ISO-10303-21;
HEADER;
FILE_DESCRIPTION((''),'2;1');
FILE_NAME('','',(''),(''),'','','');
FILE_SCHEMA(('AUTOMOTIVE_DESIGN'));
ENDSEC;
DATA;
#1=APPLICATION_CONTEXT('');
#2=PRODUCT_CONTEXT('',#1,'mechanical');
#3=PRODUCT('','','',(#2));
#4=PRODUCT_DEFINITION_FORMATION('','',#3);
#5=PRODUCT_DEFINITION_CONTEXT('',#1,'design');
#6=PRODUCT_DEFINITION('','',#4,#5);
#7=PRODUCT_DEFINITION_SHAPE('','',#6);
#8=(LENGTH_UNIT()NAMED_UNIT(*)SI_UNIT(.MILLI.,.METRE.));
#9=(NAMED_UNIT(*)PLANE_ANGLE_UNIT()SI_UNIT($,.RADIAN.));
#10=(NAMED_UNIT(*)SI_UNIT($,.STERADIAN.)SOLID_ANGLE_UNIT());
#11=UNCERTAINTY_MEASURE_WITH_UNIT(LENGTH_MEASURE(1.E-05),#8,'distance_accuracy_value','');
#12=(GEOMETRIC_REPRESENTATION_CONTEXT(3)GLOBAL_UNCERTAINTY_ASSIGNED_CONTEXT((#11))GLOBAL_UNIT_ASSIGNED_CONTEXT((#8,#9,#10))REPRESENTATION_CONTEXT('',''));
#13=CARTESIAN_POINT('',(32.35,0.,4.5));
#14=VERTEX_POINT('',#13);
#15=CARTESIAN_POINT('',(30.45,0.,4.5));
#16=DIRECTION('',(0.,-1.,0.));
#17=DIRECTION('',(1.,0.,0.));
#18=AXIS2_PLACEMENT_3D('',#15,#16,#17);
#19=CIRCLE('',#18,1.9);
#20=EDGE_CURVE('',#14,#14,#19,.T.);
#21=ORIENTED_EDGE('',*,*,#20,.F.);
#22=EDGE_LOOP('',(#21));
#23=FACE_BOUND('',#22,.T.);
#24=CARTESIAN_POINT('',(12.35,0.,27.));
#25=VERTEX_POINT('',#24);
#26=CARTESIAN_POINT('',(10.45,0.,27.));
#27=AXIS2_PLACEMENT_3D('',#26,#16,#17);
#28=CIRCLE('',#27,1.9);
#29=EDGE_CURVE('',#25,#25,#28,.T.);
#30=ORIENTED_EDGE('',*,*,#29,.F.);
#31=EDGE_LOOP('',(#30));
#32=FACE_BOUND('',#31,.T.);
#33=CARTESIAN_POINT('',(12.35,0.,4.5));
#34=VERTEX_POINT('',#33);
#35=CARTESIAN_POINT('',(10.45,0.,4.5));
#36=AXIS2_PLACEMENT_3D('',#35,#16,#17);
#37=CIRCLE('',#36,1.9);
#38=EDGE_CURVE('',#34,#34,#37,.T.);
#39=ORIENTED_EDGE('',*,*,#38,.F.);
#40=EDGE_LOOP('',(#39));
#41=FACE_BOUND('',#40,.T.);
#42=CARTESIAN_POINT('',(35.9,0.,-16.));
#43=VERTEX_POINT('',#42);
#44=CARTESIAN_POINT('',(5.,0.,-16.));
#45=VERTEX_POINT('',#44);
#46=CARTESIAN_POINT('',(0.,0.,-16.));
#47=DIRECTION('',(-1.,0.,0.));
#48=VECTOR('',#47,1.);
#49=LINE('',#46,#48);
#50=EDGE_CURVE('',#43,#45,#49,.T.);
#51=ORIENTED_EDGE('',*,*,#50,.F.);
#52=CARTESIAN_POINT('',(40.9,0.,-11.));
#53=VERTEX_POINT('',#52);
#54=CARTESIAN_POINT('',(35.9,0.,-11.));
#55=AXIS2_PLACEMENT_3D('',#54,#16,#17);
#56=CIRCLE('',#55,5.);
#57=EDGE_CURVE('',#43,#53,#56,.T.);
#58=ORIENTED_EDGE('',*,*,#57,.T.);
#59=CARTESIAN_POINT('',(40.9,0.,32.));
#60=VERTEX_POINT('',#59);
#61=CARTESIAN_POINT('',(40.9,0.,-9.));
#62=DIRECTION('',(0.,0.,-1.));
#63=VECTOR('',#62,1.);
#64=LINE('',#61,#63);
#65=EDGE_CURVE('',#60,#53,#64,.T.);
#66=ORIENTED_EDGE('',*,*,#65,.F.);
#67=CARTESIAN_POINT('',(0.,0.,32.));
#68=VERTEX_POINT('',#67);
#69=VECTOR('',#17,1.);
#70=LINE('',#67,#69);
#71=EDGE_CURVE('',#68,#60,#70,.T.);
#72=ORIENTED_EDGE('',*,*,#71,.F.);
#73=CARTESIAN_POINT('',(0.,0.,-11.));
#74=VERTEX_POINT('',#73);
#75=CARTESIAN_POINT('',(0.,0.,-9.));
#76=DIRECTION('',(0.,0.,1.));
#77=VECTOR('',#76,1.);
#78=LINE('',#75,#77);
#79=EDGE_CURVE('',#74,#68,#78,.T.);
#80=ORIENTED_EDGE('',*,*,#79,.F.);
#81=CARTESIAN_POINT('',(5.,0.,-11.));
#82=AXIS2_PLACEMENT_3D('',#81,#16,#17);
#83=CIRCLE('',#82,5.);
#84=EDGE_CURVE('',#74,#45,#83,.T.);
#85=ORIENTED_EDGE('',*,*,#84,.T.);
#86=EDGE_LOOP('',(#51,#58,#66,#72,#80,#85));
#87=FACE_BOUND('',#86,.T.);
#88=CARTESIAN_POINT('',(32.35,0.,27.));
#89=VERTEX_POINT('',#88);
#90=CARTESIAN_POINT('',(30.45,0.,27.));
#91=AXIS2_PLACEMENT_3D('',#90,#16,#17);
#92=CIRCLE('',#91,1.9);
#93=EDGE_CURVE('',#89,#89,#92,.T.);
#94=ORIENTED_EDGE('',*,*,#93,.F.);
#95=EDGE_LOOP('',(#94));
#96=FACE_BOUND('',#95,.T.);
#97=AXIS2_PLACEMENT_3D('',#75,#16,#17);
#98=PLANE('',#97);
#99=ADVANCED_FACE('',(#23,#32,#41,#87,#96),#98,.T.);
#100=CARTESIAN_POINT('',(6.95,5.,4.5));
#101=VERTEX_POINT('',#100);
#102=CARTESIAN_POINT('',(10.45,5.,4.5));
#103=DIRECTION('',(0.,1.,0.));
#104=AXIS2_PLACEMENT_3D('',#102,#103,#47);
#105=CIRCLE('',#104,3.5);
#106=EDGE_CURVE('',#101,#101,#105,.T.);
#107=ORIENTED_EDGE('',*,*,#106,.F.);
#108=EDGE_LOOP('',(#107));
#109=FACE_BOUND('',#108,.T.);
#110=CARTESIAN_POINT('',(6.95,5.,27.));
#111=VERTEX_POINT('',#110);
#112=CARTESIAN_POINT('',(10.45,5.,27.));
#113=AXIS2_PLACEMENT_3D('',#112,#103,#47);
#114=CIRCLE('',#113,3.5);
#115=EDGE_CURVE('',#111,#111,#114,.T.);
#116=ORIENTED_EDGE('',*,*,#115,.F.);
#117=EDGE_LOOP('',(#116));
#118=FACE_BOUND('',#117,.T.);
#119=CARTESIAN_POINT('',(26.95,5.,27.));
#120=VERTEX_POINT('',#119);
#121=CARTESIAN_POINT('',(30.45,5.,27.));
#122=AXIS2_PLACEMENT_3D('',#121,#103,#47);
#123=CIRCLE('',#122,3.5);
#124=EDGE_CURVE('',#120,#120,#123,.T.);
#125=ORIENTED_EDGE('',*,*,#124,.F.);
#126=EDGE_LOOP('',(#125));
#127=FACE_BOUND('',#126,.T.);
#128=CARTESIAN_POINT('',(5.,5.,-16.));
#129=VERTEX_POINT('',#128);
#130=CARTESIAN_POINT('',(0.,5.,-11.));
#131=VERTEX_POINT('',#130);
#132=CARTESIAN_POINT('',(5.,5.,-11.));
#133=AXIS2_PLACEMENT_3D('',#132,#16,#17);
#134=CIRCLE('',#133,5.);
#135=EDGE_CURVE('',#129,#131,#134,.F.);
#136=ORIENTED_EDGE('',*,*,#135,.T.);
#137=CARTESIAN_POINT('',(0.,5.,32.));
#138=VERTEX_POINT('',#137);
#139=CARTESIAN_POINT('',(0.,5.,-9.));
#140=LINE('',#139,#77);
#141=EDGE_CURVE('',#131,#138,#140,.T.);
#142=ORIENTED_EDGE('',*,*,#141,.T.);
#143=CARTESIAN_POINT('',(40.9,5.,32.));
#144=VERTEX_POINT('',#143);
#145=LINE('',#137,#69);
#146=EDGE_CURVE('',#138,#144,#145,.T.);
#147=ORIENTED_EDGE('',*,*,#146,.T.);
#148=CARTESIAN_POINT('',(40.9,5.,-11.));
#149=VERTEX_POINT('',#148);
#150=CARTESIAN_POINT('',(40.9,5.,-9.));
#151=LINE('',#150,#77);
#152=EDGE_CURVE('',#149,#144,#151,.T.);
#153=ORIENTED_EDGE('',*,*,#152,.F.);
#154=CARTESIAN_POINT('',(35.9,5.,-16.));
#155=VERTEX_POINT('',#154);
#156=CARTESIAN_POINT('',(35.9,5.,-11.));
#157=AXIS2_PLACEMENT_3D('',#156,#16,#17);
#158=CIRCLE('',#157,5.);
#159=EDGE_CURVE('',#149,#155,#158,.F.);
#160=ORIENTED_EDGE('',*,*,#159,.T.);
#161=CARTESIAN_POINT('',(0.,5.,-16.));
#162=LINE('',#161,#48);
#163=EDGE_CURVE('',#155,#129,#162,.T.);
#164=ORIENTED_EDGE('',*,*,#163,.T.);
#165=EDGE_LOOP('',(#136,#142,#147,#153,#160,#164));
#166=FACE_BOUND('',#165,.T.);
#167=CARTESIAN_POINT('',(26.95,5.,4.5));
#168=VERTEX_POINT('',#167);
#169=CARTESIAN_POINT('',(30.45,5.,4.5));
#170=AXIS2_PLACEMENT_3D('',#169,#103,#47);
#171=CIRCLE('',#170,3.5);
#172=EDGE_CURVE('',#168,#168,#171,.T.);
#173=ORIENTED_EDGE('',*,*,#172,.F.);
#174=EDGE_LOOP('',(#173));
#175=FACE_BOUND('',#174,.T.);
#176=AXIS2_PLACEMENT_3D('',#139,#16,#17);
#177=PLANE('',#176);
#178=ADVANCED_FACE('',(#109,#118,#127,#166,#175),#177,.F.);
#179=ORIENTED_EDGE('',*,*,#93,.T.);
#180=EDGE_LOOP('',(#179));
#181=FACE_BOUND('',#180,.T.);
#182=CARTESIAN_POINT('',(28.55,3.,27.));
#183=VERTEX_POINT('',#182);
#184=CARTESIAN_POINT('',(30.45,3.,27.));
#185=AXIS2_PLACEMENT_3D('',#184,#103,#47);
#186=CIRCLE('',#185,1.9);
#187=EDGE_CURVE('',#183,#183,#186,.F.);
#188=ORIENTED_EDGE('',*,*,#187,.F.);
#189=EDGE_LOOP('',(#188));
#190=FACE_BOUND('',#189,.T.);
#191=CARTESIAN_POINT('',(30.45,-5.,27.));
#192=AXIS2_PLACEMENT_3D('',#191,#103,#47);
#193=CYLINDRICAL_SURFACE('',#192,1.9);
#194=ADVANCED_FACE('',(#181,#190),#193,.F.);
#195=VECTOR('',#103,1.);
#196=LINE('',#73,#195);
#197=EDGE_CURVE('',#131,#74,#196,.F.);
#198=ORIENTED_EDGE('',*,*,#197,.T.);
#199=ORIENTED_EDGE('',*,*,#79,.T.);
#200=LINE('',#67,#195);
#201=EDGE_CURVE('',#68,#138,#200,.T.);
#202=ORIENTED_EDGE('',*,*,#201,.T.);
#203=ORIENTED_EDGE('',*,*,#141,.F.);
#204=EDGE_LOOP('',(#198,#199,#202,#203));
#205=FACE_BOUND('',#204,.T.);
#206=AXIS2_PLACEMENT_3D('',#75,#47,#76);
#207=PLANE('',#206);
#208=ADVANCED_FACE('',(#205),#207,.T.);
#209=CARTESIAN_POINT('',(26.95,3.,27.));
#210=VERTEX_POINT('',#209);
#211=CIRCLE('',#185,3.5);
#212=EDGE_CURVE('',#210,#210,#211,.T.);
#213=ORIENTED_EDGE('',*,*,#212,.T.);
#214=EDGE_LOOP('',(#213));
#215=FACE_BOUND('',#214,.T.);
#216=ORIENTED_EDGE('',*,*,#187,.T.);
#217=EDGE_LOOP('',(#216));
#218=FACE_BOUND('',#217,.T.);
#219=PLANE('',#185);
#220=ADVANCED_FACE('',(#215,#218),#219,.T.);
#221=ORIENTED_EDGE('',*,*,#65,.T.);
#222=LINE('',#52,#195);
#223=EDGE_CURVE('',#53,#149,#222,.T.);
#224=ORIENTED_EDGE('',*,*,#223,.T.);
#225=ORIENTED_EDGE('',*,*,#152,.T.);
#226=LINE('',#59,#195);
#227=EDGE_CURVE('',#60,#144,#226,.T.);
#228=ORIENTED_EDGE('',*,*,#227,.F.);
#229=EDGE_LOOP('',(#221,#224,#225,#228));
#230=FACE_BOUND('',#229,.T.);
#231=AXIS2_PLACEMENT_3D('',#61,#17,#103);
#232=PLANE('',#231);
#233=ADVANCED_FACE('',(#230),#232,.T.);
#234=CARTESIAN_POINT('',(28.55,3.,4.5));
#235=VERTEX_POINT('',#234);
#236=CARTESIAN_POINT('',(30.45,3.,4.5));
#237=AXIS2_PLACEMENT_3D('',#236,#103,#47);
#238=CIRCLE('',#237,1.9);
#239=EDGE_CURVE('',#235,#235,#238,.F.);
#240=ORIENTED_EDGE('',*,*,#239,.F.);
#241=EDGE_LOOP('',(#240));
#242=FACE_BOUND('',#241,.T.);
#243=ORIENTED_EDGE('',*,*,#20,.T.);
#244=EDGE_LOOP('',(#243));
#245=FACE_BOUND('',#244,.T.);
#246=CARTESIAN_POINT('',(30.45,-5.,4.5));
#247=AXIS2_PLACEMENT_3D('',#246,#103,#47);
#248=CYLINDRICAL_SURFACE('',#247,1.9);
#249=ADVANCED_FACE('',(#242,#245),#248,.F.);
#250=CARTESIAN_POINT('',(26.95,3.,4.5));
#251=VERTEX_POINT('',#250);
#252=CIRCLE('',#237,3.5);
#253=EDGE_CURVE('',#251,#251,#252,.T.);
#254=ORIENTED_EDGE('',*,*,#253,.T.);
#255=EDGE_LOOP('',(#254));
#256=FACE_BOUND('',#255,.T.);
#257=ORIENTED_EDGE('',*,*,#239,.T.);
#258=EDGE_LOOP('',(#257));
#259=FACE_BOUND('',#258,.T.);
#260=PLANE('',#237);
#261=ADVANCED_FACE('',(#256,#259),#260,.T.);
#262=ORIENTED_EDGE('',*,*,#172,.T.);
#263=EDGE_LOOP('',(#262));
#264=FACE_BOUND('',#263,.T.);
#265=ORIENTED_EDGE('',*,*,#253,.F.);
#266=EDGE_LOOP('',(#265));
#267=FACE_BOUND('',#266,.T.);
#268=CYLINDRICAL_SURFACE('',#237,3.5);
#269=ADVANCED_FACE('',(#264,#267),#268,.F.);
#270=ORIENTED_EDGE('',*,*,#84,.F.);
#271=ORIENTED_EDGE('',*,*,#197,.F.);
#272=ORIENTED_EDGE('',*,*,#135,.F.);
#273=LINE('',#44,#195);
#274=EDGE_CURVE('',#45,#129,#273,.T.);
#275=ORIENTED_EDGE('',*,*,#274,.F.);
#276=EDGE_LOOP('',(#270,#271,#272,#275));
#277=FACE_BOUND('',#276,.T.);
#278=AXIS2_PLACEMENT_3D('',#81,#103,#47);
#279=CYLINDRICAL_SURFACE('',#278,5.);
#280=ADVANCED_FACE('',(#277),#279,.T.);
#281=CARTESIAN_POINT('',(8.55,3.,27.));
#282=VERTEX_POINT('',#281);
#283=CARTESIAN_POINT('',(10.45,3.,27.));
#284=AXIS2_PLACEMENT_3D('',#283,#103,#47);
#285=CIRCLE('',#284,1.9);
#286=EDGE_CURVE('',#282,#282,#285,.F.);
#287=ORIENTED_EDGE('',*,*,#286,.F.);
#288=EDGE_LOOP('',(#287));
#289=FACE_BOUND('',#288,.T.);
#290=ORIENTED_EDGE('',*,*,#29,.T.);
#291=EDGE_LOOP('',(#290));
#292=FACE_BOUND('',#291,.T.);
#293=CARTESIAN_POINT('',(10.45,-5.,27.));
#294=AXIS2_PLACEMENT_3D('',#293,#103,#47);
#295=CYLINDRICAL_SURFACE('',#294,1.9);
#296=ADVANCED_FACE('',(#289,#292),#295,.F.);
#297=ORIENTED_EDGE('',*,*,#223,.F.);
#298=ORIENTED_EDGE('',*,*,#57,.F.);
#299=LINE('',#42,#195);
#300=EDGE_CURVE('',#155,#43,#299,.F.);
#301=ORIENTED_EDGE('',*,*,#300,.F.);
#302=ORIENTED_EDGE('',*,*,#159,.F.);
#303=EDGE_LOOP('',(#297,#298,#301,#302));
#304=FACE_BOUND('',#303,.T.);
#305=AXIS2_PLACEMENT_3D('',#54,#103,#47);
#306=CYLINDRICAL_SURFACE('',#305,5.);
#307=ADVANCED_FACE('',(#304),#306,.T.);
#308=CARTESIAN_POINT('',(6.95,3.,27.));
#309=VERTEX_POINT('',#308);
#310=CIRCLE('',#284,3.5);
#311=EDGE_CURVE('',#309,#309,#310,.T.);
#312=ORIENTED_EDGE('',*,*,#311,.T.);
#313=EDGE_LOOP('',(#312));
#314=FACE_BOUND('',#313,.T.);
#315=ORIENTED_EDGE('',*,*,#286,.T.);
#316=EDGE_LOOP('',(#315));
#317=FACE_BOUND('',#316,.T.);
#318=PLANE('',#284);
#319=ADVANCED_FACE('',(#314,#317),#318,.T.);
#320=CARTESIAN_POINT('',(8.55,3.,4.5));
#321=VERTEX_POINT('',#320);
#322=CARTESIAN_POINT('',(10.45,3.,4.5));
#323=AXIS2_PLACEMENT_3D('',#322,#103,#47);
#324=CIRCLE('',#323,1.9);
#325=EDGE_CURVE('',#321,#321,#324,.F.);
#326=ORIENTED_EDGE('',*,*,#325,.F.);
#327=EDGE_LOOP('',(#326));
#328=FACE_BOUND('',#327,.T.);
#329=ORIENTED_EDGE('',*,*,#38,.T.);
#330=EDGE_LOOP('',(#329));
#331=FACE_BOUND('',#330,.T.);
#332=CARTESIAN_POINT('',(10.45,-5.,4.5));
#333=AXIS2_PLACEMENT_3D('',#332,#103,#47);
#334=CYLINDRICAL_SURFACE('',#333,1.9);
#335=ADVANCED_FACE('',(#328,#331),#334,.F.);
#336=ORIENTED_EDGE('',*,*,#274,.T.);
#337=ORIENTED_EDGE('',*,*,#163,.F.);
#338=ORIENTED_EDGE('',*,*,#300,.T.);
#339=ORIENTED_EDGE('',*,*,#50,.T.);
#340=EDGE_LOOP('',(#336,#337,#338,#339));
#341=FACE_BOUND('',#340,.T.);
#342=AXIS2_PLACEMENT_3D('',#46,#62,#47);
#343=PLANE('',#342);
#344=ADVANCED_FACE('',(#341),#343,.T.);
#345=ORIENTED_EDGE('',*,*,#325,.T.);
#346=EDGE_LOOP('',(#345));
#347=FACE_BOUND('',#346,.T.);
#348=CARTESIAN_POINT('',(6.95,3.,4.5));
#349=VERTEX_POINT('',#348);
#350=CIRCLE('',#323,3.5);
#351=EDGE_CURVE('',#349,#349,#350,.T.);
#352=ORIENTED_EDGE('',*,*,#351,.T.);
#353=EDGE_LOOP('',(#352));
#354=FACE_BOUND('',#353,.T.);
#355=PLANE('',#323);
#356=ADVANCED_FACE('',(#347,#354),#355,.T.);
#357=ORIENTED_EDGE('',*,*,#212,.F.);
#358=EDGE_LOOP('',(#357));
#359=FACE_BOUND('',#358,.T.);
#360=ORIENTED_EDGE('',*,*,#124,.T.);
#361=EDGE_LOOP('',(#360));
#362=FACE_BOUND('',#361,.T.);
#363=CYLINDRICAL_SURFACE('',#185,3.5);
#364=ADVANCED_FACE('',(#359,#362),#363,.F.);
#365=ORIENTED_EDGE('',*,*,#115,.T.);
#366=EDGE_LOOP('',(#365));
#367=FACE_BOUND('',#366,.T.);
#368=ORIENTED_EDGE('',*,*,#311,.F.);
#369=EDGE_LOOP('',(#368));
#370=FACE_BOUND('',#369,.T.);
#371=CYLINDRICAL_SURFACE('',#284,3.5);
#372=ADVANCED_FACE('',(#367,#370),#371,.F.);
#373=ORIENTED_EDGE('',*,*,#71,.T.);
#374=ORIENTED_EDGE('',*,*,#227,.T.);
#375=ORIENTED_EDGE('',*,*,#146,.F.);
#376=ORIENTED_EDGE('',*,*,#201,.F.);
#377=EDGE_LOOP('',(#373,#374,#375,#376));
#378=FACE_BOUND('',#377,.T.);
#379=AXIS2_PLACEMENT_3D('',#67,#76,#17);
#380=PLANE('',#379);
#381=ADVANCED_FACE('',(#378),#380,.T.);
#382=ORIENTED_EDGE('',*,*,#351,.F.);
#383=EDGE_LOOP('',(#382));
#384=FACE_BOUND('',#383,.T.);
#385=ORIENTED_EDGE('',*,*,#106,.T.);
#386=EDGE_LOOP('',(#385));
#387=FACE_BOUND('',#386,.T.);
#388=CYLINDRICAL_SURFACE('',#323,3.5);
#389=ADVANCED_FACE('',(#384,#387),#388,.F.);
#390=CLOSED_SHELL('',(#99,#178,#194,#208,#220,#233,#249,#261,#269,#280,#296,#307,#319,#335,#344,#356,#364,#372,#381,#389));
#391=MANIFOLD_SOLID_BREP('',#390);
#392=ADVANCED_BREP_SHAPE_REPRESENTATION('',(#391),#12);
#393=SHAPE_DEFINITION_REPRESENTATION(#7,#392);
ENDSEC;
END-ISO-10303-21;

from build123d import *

# Parameters (mm, degrees)
BOSS_EXTRU_1_DEPTH      = 9
BOSS_EXTRU_1_DEPTH_BACK = 9
ESQUISSE1_R             = 2
ESQUISSE2_W             = 40.9
ESQUISSE2_H             = 7
ESQUISSE2_H_2           = 23
BOSS_EXTRU_2_DEPTH      = 5
ESQUISSE5_W             = 8
ESQUISSE5_H             = 18
ENL_V_MAT_EXTRU_2_DEPTH = 64.562646263
ESQUISSE6_R             = 1.9
ENL_V_MAT_EXTRU_3_DEPTH = 10
CONG_1_R                = 5
ESQUISSE7_R             = 3.5
ENL_V_MAT_EXTRU_4_DEPTH = 2


with BuildPart() as part:
    # Esquisse1 → Boss.-Extru.1 (new, two sides: drawn at the far end of the back side and taken through both)
    with BuildSketch(Plane.XY.offset(-BOSS_EXTRU_1_DEPTH_BACK)):
        Polygon((0, 25), (-8, 25), (-8, 0), (48.9, 0), (48.9, 25), (40.9, 25), (40.9, 5), (0, 5), align=None)
        with Locations((-3.85, 10)):
            Circle(ESQUISSE1_R, mode=Mode.SUBTRACT)
        with Locations((-3.85, 20)):
            Circle(ESQUISSE1_R, mode=Mode.SUBTRACT)
        with Locations((44.75, 20)):
            Circle(ESQUISSE1_R, mode=Mode.SUBTRACT)
        with Locations((44.75, 10)):
            Circle(ESQUISSE1_R, mode=Mode.SUBTRACT)
    extrude(amount=BOSS_EXTRU_1_DEPTH + BOSS_EXTRU_1_DEPTH_BACK)

    # Esquisse2 → Boss.-Extru.2 (add)
    with BuildSketch(Plane(origin=(0, 5, 0), x_dir=(1, 0, 0), z_dir=(0, 1, 0))):
        with Locations((20.45, 12.5)):
            Rectangle(ESQUISSE2_W, ESQUISSE2_H)
        with Locations((20.45, -20.5)):
            Rectangle(ESQUISSE2_W, ESQUISSE2_H_2)
    extrude(amount=-BOSS_EXTRU_2_DEPTH)

    # Esquisse5 → Enlèv. mat.-Extru.2 (cut, through all)
    with BuildSketch(Plane(origin=(0, 25, 0), x_dir=(1, 0, 0), z_dir=(0, 1, 0))):
        with Locations((-4, 0)):
            Rectangle(ESQUISSE5_W, ESQUISSE5_H)
        with Locations((44.9, 0)):
            Rectangle(ESQUISSE5_W, ESQUISSE5_H)
    extrude(amount=-ENL_V_MAT_EXTRU_2_DEPTH, mode=Mode.SUBTRACT)

    # Esquisse6 → Enlèv. mat.-Extru.3 (cut)
    with BuildSketch(Plane(origin=(0, 5, 0), x_dir=(1, 0, 0), z_dir=(0, 1, 0))):
        with Locations((10.45, -4.5)):
            Circle(ESQUISSE6_R)
        with Locations((30.45, -4.5)):
            Circle(ESQUISSE6_R)
        with Locations((10.45, -27)):
            Circle(ESQUISSE6_R)
        with Locations((30.45, -27)):
            Circle(ESQUISSE6_R)
    extrude(amount=-ENL_V_MAT_EXTRU_3_DEPTH, mode=Mode.SUBTRACT)

    # Congé1
    cong_1_edges = [part.edges().sort_by_distance(p)[0] for p in [
        (40.9, 2.5, -16),
        (0, 2.5, -16),
    ]]
    fillet(cong_1_edges, radius=CONG_1_R)

    # Esquisse7 → Enlèv. mat.-Extru.4 (cut)
    with BuildSketch(Plane(origin=(0, 5, 0), x_dir=(1, 0, 0), z_dir=(0, 1, 0))):
        with Locations((10.45, -4.5)):
            Circle(ESQUISSE7_R)
        with Locations((30.45, -4.5)):
            Circle(ESQUISSE7_R)
        with Locations((30.45, -27)):
            Circle(ESQUISSE7_R)
        with Locations((10.45, -27)):
            Circle(ESQUISSE7_R)
    extrude(amount=-ENL_V_MAT_EXTRU_4_DEPTH, mode=Mode.SUBTRACT)


solid = part.part
